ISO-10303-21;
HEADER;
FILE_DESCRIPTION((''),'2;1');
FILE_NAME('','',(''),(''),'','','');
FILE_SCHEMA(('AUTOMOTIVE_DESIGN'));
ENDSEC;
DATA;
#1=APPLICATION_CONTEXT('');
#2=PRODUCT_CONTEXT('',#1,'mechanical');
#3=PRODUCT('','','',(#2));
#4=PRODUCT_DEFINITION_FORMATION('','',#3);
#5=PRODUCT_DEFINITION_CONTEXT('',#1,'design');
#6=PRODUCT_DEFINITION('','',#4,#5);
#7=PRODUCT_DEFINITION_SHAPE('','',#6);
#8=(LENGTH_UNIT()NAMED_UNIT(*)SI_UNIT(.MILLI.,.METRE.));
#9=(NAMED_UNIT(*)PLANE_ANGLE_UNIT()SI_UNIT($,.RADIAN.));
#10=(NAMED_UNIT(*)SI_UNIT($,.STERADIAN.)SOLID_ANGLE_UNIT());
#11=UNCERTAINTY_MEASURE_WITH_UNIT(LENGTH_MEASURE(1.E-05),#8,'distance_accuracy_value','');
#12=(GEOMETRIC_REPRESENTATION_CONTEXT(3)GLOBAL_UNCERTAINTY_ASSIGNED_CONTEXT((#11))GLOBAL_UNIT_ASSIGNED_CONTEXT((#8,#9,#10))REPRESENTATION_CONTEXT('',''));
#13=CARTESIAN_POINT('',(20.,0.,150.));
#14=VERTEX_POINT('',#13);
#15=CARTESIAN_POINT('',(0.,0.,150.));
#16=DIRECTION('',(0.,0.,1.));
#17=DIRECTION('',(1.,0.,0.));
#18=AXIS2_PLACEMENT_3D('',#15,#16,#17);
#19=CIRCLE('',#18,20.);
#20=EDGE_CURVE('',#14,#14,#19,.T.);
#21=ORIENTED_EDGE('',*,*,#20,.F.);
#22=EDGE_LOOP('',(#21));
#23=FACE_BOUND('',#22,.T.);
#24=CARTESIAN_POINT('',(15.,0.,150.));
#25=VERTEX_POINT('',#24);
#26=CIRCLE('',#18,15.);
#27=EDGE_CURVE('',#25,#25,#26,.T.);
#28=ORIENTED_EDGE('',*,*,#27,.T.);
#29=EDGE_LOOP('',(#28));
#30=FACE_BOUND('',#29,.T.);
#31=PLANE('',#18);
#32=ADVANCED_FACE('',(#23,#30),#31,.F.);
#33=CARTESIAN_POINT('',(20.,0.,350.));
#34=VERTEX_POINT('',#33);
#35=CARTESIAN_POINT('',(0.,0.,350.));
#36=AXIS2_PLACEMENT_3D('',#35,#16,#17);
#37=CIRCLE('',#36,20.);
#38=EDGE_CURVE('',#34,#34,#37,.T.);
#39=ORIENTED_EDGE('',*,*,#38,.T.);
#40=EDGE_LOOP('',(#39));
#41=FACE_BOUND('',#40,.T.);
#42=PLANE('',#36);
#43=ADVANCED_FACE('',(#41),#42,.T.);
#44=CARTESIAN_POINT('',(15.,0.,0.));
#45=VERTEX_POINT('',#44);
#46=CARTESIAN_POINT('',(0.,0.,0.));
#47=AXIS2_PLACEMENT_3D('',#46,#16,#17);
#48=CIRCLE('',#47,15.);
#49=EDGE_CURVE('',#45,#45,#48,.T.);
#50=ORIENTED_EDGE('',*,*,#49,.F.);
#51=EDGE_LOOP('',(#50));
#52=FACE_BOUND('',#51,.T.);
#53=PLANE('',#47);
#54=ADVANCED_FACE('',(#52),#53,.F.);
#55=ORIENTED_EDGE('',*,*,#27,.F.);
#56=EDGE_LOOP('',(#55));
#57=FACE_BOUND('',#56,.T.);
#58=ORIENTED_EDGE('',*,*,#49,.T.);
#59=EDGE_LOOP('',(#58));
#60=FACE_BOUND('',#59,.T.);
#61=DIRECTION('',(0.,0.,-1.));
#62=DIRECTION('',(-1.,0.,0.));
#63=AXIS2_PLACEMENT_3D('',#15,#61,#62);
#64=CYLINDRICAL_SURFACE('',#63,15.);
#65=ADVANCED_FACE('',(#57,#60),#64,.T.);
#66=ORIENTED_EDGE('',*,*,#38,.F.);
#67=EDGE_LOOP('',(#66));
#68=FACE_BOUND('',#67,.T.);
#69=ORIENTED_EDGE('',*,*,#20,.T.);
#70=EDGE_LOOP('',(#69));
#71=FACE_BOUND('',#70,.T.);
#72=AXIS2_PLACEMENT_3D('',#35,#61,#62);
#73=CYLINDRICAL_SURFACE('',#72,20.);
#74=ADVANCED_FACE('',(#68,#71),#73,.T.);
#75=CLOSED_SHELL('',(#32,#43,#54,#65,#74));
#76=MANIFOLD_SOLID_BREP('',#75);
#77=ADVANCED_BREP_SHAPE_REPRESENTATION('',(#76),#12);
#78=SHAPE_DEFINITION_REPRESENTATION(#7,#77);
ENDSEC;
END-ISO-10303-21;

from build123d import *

# Parameters (mm, degrees)
SKETCH1_R           = 15
BOSS_EXTRUDE1_DEPTH = 150
SKETCH2_R           = 20
BOSS_EXTRUDE2_DEPTH = 200


with BuildPart() as part:
    # Sketch1 → Boss-Extrude1 (new body)
    with BuildSketch(Plane.XY):
        Circle(SKETCH1_R)
    extrude(amount=BOSS_EXTRUDE1_DEPTH)

    # Sketch2 → Boss-Extrude2 (add)
    with BuildSketch(Plane.XY.offset(150)):
        Circle(SKETCH2_R)
    extrude(amount=BOSS_EXTRUDE2_DEPTH)


solid = part.part
